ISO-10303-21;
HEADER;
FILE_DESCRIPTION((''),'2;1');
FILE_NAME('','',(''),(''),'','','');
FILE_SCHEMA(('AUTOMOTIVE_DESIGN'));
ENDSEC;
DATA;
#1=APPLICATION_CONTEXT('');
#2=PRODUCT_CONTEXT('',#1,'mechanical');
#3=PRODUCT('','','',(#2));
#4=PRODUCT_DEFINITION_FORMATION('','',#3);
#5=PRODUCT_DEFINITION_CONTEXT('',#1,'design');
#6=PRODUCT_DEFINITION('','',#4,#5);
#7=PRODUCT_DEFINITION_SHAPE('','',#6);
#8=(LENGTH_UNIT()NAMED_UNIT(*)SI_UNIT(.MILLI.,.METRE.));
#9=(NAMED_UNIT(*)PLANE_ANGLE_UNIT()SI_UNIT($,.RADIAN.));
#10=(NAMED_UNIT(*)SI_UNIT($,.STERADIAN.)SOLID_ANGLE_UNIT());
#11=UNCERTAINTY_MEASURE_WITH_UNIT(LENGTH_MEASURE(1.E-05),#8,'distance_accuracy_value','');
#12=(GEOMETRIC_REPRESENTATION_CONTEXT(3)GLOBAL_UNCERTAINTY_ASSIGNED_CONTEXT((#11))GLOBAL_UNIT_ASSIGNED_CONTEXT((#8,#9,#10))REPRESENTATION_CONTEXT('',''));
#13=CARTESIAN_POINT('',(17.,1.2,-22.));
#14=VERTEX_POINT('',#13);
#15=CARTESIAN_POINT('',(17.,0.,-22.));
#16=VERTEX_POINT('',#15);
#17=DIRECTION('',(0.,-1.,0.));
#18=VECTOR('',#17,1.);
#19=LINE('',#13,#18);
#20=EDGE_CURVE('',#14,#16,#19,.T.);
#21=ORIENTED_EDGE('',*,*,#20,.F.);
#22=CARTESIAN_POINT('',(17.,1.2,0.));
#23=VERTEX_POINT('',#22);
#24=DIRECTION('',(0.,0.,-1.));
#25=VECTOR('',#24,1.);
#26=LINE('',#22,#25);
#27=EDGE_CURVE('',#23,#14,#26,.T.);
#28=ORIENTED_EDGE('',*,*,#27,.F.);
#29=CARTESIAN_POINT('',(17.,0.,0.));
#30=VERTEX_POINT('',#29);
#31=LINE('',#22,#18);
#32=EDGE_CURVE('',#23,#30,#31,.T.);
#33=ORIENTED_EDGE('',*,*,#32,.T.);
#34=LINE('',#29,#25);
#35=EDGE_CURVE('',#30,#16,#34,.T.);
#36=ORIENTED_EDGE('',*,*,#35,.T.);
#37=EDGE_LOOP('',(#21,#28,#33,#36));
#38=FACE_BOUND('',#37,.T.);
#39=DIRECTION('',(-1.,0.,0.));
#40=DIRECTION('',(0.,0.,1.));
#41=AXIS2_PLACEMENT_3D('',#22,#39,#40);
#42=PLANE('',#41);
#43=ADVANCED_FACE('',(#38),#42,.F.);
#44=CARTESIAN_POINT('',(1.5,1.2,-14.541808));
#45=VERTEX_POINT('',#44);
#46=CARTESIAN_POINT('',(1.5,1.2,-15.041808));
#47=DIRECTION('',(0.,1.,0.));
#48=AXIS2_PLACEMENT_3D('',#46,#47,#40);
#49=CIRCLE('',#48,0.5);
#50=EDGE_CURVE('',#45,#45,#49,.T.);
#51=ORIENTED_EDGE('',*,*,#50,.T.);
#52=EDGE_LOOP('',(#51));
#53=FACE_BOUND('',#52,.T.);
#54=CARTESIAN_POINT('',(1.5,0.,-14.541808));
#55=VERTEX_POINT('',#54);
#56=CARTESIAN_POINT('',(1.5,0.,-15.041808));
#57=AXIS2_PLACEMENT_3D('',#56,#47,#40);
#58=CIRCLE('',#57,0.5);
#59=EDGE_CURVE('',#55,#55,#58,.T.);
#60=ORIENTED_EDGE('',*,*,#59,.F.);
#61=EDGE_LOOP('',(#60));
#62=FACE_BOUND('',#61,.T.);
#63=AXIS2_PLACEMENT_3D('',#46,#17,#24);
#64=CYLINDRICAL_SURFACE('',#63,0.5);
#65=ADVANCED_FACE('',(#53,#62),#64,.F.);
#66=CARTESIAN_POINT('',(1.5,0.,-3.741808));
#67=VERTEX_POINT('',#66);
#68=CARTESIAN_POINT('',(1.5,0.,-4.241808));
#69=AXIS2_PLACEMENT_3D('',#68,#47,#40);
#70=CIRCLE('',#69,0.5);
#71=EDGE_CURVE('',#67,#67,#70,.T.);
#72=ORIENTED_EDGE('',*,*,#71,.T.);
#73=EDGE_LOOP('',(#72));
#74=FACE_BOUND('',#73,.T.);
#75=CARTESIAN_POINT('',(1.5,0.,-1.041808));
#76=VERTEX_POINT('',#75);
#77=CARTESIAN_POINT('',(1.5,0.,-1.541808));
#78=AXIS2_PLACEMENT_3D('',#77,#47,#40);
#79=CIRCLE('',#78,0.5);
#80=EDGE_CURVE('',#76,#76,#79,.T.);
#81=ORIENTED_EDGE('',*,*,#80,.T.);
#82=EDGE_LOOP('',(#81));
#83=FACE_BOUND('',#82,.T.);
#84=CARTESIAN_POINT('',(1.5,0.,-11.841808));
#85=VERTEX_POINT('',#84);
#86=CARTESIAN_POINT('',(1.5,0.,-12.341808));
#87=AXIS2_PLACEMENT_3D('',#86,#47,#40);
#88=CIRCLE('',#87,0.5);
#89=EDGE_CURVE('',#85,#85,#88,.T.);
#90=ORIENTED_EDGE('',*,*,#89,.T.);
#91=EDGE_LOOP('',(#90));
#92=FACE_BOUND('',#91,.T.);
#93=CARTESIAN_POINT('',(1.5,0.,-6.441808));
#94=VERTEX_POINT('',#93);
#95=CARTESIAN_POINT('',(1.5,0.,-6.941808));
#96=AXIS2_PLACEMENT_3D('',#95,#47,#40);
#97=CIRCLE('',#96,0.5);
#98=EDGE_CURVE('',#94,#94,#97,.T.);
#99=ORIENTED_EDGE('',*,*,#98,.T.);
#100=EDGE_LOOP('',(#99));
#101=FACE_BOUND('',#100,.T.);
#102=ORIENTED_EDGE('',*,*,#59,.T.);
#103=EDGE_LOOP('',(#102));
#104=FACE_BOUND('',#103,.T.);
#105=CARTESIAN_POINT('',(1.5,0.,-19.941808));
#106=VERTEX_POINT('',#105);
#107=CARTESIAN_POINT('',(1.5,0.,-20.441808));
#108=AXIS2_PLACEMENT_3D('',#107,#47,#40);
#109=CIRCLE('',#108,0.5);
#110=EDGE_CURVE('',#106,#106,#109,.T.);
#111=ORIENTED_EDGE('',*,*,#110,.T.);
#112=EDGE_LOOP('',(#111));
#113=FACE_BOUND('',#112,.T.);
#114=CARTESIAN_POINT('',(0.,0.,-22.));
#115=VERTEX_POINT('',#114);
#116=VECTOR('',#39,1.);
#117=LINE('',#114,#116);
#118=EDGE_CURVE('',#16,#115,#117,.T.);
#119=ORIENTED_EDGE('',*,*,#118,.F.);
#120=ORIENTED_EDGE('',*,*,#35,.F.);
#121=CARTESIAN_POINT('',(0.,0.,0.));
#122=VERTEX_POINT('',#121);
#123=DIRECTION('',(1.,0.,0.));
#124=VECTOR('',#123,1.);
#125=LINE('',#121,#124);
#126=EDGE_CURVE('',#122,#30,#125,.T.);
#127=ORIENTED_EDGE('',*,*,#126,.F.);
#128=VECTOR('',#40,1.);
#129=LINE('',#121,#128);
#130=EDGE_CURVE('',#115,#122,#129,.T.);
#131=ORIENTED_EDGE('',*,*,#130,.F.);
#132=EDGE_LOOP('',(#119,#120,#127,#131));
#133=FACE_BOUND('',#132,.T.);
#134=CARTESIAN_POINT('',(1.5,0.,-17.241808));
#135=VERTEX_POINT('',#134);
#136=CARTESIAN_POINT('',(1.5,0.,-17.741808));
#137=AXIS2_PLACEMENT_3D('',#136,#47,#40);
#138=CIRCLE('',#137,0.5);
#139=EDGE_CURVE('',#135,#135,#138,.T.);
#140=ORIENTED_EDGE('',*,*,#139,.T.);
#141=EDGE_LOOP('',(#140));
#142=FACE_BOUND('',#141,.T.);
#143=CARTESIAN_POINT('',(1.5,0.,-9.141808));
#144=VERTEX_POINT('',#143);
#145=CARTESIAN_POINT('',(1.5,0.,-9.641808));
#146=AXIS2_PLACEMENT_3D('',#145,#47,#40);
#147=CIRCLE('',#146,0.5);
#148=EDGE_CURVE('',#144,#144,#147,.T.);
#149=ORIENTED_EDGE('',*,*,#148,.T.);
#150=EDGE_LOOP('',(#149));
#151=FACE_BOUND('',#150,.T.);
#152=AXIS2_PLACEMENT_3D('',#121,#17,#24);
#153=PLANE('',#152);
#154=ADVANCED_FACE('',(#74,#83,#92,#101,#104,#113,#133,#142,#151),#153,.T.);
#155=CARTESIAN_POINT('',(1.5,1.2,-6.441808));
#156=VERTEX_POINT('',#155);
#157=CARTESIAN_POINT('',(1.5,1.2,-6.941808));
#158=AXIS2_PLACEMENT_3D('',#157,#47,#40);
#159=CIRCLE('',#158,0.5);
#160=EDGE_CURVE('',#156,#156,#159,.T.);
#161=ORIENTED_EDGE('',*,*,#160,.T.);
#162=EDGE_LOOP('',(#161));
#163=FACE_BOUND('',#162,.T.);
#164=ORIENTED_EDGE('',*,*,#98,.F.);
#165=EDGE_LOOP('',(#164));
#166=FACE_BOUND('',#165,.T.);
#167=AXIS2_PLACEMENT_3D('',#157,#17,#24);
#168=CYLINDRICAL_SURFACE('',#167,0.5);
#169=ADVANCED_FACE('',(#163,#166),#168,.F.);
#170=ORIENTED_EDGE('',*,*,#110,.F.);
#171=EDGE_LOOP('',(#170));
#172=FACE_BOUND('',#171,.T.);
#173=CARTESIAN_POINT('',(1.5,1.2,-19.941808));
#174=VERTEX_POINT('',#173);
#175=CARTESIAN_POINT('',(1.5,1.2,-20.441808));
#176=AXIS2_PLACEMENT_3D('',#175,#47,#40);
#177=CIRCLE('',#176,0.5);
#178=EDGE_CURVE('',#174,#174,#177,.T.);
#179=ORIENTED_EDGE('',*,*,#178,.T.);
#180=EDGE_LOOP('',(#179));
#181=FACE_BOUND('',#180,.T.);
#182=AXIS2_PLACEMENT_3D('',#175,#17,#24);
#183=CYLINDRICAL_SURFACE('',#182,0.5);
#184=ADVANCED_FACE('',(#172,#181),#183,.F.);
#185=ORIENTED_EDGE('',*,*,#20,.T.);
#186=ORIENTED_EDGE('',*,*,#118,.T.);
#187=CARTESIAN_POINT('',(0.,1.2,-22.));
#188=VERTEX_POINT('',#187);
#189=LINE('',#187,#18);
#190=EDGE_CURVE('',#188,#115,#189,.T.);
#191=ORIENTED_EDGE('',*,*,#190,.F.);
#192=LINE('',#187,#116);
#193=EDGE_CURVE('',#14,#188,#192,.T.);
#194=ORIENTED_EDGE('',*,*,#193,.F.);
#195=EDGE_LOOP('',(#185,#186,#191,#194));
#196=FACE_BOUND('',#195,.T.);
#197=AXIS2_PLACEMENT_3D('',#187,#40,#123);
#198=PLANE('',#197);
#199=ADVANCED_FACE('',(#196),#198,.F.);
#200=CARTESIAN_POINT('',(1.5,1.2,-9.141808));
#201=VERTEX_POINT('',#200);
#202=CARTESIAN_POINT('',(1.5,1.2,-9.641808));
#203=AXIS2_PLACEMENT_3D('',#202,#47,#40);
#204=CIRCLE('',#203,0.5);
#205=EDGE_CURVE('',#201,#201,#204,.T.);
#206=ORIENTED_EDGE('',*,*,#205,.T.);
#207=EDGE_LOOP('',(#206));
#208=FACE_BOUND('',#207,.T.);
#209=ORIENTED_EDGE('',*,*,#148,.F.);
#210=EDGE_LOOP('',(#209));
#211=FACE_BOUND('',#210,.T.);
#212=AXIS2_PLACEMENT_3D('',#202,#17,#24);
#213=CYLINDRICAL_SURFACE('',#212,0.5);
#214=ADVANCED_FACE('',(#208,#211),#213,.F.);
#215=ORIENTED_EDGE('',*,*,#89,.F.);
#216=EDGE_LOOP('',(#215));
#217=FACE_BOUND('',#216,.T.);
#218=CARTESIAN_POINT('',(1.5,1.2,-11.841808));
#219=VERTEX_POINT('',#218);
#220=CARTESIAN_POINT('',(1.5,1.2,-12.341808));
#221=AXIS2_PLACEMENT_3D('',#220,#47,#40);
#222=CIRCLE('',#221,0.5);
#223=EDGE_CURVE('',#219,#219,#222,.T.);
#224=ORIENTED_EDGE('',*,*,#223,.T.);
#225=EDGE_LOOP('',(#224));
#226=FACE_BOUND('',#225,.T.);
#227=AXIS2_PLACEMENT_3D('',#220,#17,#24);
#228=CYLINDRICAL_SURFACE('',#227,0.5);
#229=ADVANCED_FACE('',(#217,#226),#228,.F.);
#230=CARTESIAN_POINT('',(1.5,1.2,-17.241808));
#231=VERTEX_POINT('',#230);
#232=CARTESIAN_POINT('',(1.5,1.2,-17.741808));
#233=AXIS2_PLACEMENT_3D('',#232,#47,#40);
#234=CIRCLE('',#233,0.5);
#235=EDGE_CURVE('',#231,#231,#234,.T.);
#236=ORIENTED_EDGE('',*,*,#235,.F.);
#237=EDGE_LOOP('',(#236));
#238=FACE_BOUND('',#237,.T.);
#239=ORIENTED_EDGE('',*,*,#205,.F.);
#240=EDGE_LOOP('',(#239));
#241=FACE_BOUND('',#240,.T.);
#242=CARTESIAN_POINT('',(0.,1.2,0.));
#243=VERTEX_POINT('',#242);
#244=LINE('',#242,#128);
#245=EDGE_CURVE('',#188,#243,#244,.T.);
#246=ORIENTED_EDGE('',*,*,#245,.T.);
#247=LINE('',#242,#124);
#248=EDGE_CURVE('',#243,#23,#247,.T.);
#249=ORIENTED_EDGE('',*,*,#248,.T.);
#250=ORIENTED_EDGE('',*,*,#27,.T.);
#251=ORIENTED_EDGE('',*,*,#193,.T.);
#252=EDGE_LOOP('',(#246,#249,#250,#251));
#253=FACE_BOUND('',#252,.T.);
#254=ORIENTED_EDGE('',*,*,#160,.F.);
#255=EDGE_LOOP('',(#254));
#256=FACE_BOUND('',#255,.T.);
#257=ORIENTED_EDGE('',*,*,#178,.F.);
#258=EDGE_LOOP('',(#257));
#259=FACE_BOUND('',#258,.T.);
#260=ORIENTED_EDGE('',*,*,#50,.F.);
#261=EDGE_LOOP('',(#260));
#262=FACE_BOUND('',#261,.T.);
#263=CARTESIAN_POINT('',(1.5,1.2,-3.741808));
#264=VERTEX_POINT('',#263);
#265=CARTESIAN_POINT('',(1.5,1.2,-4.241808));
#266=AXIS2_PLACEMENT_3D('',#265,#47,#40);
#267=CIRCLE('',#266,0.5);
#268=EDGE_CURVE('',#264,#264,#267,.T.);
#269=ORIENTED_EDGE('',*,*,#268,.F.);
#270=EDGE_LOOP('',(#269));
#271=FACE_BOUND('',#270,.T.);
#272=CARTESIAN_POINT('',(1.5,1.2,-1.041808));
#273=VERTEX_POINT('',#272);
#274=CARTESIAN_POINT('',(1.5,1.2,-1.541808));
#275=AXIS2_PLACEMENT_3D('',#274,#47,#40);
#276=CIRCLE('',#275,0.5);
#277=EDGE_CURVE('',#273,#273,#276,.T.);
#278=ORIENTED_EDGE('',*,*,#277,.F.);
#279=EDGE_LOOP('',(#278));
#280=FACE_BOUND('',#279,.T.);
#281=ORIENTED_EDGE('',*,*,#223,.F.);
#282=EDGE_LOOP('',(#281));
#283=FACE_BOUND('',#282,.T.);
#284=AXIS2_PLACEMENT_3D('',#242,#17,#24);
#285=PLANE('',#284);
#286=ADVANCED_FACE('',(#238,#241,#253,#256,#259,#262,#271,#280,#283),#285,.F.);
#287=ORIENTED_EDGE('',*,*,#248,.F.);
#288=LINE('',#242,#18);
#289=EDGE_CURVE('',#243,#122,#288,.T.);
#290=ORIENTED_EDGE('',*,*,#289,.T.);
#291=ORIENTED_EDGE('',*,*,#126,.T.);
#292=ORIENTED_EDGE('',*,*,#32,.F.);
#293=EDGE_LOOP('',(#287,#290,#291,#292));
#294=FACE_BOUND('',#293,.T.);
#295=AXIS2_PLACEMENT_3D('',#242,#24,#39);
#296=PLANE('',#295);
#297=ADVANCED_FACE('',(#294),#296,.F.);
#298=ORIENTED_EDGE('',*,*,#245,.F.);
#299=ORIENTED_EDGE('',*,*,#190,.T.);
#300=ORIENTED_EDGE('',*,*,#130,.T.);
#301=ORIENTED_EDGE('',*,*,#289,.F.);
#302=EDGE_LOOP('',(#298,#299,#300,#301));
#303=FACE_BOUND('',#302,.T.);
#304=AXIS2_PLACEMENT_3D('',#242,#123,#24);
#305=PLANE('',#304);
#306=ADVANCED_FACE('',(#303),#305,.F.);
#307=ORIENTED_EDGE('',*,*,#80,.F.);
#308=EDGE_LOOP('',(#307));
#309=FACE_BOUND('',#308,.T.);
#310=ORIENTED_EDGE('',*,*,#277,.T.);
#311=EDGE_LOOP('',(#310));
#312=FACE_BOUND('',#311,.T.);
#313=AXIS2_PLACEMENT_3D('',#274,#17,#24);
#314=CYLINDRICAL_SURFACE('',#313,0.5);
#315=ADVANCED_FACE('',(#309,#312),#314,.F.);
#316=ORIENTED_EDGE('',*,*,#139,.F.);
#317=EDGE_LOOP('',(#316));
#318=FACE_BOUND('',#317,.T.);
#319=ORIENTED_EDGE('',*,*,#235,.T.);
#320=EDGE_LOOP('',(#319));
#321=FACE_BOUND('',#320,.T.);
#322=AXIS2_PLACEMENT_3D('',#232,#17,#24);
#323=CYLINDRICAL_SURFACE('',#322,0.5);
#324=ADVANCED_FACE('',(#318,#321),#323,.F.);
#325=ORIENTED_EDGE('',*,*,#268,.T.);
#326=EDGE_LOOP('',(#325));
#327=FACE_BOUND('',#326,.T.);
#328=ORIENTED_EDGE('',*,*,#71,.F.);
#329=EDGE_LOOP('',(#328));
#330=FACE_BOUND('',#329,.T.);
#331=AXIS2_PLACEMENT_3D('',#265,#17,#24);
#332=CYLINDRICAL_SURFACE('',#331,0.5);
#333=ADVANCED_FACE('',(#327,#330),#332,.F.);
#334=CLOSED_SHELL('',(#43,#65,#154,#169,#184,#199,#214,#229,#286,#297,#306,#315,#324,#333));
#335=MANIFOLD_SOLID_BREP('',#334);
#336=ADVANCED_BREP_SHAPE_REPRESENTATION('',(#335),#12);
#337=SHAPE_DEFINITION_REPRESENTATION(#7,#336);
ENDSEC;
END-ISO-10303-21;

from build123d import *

# Parameters (mm, degrees)
SKETCH1_W           = 17
SKETCH1_H           = 22
SKETCH1_R           = 0.5
BOSS_EXTRUDE1_DEPTH = 1.2


with BuildPart() as part:
    # Sketch1 → Boss-Extrude1 (new body)
    with BuildSketch(Plane(origin=(0, 0, 0), x_dir=(1, 0, 0), z_dir=(0, 1, 0))):
        with Locations((8.5, 11)):
            Rectangle(SKETCH1_W, SKETCH1_H)
        with Locations((1.5, 20.441808073)):
            Circle(SKETCH1_R, mode=Mode.SUBTRACT)
        with Locations((1.5, 17.741808073)):
            Circle(SKETCH1_R, mode=Mode.SUBTRACT)
        with Locations((1.5, 15.041808073)):
            Circle(SKETCH1_R, mode=Mode.SUBTRACT)
        with Locations((1.5, 12.341808073)):
            Circle(SKETCH1_R, mode=Mode.SUBTRACT)
        with Locations((1.5, 9.641808073)):
            Circle(SKETCH1_R, mode=Mode.SUBTRACT)
        with Locations((1.5, 6.941808073)):
            Circle(SKETCH1_R, mode=Mode.SUBTRACT)
        with Locations((1.5, 4.241808073)):
            Circle(SKETCH1_R, mode=Mode.SUBTRACT)
        with Locations((1.5, 1.541808073)):
            Circle(SKETCH1_R, mode=Mode.SUBTRACT)
    extrude(amount=BOSS_EXTRUDE1_DEPTH)


solid = part.part
